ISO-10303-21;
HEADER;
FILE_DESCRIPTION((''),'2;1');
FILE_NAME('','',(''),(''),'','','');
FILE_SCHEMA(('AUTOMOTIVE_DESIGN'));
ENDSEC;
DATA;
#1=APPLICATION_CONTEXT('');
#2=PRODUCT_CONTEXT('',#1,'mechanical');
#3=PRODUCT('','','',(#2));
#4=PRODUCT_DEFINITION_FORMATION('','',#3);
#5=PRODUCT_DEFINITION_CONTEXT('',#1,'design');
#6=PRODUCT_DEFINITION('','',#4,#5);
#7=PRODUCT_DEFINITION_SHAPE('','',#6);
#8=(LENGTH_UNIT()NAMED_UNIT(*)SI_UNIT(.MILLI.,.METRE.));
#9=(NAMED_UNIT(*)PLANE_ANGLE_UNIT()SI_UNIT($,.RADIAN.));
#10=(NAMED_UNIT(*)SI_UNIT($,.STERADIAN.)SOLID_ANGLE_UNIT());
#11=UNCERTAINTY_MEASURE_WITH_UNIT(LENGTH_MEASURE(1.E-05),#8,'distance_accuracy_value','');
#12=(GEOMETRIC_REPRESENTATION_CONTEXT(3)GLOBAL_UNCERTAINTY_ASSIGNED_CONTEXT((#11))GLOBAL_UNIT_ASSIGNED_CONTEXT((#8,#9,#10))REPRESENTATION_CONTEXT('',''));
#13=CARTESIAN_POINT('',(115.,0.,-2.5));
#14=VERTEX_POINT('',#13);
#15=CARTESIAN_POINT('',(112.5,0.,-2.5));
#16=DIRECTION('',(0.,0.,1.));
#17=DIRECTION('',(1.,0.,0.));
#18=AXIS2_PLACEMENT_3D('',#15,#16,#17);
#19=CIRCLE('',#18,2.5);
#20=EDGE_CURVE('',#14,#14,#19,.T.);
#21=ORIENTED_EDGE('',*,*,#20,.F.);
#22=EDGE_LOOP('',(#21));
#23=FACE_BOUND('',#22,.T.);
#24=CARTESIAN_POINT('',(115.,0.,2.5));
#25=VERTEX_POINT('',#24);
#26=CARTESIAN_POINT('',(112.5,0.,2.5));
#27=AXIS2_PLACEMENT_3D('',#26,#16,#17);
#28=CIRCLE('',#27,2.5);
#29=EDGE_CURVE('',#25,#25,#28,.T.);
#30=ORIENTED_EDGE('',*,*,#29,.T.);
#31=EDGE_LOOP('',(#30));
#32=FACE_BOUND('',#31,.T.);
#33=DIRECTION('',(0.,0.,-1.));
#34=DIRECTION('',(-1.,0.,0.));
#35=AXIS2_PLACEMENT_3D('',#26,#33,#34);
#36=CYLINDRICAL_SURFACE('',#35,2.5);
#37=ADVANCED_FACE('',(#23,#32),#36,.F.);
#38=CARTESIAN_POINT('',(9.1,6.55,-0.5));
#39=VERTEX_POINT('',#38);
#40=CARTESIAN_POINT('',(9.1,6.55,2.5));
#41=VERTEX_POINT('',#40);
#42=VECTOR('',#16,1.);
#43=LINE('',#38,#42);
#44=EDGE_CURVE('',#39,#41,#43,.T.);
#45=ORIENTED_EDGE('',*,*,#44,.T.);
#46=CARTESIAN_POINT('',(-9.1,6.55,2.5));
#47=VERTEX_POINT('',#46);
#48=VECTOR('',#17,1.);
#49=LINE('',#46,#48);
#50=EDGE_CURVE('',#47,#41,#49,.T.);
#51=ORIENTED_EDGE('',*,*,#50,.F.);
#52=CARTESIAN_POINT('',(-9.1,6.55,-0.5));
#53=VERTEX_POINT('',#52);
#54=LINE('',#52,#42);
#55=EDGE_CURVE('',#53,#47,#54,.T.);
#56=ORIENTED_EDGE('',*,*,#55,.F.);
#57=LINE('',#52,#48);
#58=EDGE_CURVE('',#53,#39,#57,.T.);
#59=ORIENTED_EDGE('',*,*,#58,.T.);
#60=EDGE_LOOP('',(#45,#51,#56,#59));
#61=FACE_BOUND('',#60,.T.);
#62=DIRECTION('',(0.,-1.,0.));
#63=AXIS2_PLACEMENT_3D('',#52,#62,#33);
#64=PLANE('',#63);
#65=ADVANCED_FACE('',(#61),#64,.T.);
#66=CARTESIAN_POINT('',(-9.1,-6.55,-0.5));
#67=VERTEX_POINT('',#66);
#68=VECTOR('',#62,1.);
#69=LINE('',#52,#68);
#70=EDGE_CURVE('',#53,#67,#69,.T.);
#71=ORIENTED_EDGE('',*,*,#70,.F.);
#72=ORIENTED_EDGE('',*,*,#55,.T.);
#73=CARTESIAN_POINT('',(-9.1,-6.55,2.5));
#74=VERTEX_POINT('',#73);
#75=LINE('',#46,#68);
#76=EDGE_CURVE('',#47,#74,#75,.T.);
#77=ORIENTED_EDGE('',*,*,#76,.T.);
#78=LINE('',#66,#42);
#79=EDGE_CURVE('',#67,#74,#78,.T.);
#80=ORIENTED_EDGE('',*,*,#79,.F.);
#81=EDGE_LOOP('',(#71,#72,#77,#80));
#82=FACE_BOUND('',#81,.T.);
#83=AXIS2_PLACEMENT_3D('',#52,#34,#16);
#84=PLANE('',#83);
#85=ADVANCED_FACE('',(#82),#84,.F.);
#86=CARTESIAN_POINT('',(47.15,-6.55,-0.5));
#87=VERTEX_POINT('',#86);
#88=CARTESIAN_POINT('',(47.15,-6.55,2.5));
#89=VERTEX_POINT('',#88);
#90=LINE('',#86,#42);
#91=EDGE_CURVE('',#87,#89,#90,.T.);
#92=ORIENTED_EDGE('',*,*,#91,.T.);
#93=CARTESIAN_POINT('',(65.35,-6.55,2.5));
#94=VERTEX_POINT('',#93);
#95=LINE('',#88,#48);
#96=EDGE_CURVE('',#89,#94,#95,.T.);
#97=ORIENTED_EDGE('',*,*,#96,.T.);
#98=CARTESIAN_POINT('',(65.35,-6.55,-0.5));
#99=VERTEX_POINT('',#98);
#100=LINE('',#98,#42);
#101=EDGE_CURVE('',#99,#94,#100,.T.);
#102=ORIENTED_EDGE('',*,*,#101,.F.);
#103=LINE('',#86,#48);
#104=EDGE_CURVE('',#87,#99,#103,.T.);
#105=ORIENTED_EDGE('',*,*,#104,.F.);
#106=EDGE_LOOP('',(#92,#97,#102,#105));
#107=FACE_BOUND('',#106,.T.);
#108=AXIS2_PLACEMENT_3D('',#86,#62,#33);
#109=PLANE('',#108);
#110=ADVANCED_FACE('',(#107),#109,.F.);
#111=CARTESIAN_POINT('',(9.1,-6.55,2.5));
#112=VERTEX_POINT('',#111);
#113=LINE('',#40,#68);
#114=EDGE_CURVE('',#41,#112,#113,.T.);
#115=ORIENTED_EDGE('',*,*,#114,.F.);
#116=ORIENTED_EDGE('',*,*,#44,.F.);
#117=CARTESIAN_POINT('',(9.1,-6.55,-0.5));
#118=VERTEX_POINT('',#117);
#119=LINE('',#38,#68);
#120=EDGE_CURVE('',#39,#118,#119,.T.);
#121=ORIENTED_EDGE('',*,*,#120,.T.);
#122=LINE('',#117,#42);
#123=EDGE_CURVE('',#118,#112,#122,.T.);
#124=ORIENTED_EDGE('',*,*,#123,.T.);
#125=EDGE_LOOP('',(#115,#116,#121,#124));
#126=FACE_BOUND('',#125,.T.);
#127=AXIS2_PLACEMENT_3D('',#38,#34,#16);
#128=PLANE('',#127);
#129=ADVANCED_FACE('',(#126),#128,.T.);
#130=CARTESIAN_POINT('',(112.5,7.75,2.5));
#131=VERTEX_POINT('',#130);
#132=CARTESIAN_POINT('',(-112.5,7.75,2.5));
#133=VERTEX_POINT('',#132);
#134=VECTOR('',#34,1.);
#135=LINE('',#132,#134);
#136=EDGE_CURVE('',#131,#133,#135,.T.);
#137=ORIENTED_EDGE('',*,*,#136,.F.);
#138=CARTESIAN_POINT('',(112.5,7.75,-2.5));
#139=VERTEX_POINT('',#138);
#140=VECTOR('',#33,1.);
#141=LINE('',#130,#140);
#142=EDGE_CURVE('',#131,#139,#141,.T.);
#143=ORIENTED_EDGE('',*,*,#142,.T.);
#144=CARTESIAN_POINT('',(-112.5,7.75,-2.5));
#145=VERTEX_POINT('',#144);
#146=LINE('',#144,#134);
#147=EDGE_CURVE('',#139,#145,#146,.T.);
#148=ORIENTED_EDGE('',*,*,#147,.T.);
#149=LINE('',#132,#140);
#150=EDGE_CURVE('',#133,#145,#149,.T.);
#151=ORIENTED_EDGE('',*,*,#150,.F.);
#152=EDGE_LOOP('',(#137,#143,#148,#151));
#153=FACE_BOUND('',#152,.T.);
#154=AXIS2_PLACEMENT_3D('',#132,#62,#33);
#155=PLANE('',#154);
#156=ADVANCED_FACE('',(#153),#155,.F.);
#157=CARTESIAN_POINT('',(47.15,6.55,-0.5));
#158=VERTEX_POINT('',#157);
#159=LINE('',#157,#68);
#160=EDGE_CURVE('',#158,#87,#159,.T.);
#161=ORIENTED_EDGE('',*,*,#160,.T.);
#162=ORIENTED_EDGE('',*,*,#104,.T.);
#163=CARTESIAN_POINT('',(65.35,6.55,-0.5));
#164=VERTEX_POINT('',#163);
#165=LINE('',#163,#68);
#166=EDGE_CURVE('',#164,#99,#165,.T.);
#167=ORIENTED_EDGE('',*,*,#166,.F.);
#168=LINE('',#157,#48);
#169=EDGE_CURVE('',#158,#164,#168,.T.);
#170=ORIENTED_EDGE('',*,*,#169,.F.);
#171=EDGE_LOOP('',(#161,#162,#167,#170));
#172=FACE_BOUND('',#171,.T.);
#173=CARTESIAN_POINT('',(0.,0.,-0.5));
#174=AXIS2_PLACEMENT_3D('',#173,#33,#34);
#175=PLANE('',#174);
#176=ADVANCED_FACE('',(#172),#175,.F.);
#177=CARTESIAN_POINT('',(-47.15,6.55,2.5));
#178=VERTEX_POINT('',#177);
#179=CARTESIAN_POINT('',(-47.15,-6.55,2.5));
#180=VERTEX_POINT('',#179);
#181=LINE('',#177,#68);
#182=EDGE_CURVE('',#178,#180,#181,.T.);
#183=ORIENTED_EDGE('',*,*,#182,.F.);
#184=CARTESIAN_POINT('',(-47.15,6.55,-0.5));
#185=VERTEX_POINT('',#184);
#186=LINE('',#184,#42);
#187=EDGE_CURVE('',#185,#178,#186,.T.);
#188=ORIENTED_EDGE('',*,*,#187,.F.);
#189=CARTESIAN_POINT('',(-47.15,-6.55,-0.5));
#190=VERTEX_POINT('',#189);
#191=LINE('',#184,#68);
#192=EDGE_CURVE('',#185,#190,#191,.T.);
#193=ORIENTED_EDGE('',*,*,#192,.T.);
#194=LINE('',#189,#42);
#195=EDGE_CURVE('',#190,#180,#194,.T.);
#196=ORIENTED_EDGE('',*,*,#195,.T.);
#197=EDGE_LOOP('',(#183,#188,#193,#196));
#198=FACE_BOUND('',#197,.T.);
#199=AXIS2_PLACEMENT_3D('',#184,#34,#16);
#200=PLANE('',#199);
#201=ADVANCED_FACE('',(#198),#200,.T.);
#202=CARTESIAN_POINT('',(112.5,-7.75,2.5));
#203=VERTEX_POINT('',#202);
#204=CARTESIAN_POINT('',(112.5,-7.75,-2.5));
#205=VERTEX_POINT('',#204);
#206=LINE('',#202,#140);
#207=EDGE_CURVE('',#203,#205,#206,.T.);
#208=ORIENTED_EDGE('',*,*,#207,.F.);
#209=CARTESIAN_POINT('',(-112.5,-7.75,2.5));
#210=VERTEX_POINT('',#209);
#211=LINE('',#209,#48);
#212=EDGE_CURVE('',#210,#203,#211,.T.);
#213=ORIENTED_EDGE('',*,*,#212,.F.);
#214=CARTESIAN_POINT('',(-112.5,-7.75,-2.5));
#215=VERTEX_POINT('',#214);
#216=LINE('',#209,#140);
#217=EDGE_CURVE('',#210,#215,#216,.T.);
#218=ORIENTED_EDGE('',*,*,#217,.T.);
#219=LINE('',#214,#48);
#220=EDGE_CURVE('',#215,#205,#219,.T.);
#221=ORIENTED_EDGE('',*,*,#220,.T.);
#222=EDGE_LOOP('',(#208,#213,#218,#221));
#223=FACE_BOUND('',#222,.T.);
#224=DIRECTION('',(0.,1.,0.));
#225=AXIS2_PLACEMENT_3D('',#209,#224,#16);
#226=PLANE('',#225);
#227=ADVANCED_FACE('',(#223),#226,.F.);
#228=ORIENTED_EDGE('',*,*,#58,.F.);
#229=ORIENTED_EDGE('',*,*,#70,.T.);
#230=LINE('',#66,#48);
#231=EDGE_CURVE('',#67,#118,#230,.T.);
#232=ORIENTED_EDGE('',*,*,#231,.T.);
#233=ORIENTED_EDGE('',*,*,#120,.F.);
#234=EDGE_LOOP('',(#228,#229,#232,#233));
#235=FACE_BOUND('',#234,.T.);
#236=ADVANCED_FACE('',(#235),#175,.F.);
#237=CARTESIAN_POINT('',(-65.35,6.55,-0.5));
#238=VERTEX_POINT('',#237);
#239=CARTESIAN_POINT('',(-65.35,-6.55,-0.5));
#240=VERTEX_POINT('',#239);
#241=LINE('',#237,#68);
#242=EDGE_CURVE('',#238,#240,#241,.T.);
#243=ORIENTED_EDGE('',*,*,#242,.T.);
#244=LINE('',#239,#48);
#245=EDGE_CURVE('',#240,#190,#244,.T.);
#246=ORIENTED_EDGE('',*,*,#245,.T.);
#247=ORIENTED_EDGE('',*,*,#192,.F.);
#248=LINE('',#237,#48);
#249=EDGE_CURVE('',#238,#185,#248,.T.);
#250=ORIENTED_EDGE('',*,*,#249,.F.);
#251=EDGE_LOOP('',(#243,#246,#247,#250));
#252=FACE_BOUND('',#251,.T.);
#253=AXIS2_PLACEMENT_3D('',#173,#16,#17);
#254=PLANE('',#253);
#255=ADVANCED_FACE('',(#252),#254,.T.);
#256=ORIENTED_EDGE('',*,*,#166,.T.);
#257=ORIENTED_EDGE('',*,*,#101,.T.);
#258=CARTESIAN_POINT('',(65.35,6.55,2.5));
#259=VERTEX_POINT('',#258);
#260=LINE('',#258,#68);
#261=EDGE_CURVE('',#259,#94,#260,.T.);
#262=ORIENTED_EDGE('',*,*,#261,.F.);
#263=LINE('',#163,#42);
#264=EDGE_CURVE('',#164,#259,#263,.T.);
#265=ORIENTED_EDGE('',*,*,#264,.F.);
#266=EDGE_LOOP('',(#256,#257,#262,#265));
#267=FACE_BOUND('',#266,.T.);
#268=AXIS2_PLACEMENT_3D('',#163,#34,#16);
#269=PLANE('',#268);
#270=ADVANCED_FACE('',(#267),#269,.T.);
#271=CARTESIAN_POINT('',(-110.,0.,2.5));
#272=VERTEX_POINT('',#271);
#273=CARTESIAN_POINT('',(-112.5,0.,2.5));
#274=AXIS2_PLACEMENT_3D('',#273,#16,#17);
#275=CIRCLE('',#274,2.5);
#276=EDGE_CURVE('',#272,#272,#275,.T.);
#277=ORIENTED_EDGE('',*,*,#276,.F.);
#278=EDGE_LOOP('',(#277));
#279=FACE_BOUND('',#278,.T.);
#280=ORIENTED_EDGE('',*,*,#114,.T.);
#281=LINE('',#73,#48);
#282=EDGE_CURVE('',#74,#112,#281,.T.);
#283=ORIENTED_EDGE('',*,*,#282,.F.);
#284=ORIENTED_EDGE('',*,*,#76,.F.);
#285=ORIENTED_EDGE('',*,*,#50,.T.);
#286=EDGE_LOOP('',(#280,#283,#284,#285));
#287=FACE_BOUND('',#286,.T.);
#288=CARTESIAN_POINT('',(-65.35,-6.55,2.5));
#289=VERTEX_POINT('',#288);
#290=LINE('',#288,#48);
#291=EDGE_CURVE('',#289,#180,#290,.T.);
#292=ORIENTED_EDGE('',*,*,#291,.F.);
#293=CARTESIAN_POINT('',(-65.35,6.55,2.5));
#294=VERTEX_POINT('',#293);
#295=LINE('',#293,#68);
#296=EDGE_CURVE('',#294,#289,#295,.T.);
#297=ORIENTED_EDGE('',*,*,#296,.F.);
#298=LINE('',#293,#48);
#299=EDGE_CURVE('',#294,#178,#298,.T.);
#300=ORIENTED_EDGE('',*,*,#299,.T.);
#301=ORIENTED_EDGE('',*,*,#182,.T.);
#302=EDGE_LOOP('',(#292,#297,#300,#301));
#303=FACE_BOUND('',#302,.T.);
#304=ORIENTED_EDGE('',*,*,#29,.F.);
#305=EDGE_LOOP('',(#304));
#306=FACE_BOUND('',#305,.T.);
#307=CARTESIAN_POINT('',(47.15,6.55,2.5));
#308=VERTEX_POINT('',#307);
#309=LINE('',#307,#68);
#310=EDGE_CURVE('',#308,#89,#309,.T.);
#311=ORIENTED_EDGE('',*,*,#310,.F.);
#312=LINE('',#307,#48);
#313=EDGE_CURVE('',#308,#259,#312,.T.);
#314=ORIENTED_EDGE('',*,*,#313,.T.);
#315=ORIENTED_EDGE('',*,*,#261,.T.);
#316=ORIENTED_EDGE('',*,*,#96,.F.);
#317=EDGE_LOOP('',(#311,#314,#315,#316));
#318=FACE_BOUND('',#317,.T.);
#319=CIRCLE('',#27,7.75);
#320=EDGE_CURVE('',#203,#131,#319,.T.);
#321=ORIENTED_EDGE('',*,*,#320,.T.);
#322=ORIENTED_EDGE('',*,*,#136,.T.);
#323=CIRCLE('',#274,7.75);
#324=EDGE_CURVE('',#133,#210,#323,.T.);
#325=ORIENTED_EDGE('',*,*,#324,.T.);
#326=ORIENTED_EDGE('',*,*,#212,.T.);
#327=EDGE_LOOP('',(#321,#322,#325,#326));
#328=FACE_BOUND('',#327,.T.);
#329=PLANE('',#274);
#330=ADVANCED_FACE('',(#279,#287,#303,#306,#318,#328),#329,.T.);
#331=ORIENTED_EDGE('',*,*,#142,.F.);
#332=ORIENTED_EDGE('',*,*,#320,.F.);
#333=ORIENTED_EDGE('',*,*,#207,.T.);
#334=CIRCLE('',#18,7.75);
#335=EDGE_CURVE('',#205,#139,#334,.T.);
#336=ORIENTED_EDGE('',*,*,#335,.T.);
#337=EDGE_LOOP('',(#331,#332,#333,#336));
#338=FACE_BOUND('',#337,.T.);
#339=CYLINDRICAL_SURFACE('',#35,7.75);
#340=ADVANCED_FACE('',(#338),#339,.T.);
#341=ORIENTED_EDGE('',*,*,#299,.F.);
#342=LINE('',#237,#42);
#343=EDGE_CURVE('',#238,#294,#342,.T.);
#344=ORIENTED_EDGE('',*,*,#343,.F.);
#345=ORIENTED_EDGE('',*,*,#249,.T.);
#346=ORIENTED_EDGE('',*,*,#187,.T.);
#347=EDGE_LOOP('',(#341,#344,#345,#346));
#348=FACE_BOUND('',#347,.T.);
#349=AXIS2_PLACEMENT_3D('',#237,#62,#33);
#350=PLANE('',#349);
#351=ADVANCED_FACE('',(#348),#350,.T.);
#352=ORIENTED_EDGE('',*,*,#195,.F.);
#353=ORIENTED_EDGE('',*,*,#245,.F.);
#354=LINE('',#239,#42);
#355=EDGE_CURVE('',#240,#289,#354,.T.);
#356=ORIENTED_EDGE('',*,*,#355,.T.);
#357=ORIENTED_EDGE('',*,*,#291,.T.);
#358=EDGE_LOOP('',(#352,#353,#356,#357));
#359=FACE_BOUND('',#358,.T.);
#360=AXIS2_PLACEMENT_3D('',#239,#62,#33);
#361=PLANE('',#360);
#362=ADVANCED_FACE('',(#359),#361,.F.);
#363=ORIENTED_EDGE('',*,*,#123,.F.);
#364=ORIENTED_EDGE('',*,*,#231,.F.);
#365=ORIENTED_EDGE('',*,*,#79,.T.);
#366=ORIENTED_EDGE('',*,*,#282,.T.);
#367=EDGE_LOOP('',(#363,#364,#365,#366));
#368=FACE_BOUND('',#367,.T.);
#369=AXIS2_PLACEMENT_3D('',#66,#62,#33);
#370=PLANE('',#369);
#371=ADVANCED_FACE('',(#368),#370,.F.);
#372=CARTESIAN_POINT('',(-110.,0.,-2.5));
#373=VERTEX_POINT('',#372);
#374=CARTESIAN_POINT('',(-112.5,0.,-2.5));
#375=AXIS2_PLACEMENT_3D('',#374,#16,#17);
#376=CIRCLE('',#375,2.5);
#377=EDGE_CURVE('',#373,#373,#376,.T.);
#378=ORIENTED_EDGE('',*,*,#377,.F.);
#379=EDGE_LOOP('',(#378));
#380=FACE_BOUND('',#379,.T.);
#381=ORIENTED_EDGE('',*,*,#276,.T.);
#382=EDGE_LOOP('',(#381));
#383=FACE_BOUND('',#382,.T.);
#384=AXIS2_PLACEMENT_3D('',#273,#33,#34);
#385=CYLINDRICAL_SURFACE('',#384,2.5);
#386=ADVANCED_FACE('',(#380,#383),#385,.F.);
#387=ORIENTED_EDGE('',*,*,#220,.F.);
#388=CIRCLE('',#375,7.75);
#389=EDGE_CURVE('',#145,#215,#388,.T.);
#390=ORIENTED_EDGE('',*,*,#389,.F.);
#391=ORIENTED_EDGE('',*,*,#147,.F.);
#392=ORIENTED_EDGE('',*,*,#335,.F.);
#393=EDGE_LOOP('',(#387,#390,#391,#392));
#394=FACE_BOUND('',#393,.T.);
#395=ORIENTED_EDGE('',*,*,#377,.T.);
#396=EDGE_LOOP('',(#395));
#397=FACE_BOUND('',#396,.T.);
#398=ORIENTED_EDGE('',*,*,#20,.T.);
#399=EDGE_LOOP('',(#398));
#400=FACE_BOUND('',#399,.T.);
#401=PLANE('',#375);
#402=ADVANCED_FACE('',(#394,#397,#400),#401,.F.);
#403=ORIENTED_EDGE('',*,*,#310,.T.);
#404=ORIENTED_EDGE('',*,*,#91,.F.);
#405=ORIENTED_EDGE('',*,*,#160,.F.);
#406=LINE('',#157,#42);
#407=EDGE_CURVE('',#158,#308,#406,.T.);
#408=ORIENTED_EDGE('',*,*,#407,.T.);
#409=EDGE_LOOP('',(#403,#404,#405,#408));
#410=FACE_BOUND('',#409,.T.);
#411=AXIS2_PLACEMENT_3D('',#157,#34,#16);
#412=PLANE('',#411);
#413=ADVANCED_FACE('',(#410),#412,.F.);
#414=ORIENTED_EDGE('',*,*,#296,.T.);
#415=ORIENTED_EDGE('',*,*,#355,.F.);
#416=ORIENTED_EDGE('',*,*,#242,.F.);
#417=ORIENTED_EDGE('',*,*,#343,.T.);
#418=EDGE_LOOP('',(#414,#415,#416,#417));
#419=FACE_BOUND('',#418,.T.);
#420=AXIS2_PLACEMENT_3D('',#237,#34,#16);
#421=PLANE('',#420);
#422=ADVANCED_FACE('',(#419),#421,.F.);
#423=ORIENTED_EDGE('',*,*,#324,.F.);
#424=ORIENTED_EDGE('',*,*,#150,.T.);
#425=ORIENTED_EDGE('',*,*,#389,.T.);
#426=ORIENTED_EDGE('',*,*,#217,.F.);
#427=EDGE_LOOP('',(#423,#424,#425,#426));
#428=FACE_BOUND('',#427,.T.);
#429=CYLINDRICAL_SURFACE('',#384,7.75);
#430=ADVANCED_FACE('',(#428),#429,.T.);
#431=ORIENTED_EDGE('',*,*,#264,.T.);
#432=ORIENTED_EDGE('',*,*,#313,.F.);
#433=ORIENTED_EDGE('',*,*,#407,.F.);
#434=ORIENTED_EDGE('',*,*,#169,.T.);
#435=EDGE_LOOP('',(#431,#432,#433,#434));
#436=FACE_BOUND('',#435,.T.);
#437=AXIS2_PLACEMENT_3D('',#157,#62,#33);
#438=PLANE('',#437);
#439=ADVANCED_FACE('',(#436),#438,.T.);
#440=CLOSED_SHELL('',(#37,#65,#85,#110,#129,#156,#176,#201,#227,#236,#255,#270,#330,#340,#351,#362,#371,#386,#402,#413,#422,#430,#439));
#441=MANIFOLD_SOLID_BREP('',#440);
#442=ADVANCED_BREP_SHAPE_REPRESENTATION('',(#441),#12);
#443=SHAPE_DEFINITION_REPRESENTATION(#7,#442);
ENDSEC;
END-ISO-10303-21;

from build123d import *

# Parameters (mm, degrees)
CROQUIS1_R              = 2.5
SALIENTE_EXTRUIR1_DEPTH = 2.5
CROQUIS4_W              = 18.2
CROQUIS4_H              = 13.1
CORTAR_EXTRUIR4_DEPTH   = 3


with BuildPart() as part:
    # Croquis1 → Saliente-Extruir1 (new, symmetric)
    with BuildSketch(Plane.XY):
        with BuildLine():
            Line((-112.5, 7.75), (112.5, 7.75))
            ThreePointArc((112.5, 7.75), (120.25, 0), (112.5, -7.75))
            Line((112.5, -7.75), (-112.5, -7.75))
            ThreePointArc((-112.5, -7.75), (-120.25, 0), (-112.5, 7.75))
        make_face()
        with Locations((112.5, 0)):
            Circle(CROQUIS1_R, mode=Mode.SUBTRACT)
        with Locations((-112.5, 0)):
            Circle(CROQUIS1_R, mode=Mode.SUBTRACT)
    extrude(amount=SALIENTE_EXTRUIR1_DEPTH, both=True)

    # Croquis4 → Cortar-Extruir4 (cut)
    with BuildSketch(Plane.XY.offset(2.5)):
        Rectangle(CROQUIS4_W, CROQUIS4_H)
        with Locations((-56.25, 0)):
            Rectangle(CROQUIS4_W, CROQUIS4_H)
        with Locations((56.25, 0)):
            Rectangle(CROQUIS4_W, CROQUIS4_H)
    extrude(amount=-CORTAR_EXTRUIR4_DEPTH, mode=Mode.SUBTRACT)


solid = part.part
